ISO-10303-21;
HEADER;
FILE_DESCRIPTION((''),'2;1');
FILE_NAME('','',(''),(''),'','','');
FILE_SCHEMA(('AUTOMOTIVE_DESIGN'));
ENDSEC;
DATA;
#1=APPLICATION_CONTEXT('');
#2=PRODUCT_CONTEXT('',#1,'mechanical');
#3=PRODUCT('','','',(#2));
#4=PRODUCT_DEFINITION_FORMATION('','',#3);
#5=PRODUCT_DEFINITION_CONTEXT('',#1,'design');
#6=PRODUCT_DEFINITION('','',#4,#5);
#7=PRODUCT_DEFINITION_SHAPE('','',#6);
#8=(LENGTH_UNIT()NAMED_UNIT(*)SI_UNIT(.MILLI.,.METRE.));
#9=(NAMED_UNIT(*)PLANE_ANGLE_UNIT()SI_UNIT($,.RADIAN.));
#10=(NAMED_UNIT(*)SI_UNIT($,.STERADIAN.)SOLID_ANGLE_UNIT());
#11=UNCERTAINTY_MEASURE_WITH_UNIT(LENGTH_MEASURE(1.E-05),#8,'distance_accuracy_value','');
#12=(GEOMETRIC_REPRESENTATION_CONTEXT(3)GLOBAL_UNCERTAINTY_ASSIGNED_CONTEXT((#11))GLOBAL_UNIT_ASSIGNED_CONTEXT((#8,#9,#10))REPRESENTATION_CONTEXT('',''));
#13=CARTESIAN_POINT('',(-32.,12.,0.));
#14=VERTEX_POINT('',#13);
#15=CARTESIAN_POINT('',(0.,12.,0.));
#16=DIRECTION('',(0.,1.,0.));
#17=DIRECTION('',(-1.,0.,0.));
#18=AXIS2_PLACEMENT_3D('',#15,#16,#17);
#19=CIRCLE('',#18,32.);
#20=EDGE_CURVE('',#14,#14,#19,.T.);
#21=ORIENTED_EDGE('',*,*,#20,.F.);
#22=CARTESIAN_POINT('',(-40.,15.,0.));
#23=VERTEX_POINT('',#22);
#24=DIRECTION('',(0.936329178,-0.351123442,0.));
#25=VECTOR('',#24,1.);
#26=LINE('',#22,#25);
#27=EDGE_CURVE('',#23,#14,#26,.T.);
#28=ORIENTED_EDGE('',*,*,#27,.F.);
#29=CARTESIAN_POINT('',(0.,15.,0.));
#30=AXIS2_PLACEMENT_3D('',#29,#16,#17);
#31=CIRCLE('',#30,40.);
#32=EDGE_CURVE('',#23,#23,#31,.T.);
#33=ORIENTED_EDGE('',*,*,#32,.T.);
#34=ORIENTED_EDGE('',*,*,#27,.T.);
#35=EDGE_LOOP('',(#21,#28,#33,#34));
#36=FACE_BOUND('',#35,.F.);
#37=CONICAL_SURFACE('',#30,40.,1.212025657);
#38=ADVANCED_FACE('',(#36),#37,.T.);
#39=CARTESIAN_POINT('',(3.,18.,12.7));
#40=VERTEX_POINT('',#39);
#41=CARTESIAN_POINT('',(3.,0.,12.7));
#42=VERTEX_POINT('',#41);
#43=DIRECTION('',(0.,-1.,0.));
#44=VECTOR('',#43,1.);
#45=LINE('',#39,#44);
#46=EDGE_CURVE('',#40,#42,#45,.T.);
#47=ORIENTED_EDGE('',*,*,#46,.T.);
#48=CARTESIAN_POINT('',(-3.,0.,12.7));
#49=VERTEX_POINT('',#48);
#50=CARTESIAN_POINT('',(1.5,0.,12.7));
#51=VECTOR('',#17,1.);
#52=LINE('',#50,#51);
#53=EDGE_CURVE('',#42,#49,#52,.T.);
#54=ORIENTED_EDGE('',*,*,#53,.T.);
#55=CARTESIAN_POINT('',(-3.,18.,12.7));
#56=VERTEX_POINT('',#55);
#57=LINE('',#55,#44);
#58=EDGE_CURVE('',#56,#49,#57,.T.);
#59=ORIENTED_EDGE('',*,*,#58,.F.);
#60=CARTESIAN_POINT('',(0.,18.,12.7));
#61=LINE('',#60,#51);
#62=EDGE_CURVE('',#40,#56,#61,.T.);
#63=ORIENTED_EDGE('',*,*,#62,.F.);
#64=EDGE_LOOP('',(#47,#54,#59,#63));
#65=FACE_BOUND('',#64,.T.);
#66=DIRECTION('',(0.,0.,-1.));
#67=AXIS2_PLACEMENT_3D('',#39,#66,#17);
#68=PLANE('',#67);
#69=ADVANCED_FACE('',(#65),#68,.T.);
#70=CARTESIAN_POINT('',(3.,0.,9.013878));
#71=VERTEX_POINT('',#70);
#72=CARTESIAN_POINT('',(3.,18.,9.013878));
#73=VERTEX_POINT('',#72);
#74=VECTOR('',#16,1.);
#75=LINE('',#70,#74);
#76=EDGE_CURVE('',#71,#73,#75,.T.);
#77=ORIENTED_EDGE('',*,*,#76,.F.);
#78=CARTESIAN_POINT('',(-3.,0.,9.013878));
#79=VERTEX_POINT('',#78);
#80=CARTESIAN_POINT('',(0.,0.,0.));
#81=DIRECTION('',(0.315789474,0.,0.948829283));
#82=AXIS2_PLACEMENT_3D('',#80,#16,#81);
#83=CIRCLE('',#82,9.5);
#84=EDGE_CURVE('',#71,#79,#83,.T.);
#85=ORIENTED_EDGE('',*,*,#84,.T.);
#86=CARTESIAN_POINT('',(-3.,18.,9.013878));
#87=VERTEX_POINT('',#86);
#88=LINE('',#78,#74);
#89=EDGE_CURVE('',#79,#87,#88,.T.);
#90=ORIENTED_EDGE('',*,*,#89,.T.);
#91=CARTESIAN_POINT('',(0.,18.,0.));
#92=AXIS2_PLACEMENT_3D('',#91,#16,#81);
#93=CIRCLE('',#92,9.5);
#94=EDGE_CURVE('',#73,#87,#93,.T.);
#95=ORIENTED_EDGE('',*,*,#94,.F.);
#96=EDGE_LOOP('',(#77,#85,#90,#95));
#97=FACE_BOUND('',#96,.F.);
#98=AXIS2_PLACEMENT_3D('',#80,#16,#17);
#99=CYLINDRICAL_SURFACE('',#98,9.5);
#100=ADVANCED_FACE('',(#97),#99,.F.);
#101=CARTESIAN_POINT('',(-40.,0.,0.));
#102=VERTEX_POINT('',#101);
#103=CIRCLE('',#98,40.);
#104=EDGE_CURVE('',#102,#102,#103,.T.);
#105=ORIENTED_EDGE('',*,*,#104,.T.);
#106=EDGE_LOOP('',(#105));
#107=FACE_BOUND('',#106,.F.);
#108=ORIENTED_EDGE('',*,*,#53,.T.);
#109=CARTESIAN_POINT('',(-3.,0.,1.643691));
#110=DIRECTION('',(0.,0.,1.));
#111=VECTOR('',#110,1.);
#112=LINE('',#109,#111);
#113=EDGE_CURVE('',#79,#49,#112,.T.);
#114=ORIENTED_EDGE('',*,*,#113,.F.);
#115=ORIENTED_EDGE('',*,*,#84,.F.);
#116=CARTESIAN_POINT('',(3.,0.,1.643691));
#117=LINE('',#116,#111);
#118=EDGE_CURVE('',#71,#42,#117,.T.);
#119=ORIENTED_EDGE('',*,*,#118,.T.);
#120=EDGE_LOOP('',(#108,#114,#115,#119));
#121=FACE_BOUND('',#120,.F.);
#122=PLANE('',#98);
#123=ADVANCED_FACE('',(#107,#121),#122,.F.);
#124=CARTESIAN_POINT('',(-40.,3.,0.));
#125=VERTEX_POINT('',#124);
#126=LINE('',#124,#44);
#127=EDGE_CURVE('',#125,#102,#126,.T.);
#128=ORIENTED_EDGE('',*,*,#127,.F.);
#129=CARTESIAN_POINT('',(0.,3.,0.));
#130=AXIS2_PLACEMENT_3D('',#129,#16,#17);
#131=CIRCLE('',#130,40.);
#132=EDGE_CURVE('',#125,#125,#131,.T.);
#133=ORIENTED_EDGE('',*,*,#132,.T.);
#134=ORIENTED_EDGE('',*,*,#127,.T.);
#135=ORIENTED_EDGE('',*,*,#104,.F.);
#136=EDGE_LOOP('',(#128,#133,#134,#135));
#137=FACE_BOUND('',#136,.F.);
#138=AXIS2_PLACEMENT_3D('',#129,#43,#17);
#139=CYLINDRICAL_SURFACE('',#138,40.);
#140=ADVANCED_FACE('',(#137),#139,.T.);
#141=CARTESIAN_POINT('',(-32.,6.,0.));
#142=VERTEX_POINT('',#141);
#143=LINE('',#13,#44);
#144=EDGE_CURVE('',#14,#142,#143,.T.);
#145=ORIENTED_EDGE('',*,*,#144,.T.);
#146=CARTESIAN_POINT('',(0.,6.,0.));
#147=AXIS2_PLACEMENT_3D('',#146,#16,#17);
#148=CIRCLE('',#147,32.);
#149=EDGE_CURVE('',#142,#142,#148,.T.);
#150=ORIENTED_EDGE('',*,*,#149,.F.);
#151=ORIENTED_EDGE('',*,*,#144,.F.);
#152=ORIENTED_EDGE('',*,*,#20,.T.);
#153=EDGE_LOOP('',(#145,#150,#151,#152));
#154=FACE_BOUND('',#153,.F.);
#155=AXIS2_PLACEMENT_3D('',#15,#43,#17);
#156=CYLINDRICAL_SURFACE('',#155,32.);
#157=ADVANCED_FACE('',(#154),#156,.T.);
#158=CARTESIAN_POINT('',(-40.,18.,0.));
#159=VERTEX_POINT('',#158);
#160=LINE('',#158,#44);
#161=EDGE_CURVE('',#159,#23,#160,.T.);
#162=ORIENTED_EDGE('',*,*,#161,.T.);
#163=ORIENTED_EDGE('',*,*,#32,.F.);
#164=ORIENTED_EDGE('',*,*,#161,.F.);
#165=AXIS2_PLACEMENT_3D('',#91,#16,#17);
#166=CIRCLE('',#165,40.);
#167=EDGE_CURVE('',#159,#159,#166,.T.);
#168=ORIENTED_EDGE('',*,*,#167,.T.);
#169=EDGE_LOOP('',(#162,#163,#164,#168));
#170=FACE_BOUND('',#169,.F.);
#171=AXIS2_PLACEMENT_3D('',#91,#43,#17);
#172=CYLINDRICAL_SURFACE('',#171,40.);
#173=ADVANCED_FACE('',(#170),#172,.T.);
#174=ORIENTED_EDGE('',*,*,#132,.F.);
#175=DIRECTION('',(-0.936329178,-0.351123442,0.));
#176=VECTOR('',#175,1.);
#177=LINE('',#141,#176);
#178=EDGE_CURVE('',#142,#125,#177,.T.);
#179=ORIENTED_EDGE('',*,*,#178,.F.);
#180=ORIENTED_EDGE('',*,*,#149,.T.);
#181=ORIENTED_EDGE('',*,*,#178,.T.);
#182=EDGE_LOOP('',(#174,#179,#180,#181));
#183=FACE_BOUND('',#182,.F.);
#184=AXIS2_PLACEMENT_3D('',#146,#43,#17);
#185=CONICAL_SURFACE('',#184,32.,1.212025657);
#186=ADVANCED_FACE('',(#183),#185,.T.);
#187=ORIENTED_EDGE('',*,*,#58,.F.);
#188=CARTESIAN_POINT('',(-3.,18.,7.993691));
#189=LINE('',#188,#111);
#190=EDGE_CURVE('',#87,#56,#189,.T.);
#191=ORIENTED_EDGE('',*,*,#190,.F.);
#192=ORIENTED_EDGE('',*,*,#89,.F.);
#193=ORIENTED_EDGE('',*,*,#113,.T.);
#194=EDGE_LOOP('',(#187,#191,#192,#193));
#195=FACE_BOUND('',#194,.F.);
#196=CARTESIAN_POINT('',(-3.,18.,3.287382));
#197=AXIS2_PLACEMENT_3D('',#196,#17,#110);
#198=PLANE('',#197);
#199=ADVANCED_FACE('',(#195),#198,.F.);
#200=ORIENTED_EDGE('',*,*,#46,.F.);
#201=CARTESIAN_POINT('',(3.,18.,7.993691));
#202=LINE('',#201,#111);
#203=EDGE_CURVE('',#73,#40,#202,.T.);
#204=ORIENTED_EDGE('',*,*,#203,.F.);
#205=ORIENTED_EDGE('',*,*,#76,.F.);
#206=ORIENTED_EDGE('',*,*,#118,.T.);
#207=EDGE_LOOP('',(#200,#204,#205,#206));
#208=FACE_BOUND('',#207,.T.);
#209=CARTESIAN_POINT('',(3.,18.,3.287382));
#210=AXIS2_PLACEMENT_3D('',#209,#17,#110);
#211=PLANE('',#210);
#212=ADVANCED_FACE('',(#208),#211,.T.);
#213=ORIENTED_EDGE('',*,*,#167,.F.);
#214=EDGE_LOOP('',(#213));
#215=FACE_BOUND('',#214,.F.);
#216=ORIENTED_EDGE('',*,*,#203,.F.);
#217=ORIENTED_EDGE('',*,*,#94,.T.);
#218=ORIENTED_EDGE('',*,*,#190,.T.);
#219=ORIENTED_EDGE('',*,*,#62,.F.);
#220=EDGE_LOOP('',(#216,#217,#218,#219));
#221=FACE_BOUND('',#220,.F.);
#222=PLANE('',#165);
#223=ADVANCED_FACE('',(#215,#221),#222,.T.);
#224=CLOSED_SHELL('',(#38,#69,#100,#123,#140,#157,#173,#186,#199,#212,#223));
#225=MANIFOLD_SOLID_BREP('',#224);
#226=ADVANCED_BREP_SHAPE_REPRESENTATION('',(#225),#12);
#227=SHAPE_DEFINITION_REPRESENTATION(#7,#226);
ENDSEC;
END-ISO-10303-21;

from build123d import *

# Parameters (mm, degrees)
F2_W     = 6
F2_H     = 9.412618
F3_DEPTH = 25


with BuildPart() as f1:
    # F0 (on Top) → F1 (revolve)
    with BuildSketch(Plane.XY):
        Polygon((-40, 0), (-9.5, 0), (-9.5, 18), (-40, 18), (-40, 15), (-32, 12), (-32, 6), (-40, 3), align=None)
    revolve(axis=Axis((0, 10.892909, 0), (0, 1, 0)))

    # F2 (on face) → F3 (cut)
    with BuildSketch(Plane(origin=(0, 18, 0), x_dir=(-1, 0, 0), z_dir=(0, 1, 0))):
        with Locations((0, 7.993691)):
            Rectangle(F2_W, F2_H)
    extrude(amount=-F3_DEPTH, mode=Mode.SUBTRACT)


solid = f1.part
